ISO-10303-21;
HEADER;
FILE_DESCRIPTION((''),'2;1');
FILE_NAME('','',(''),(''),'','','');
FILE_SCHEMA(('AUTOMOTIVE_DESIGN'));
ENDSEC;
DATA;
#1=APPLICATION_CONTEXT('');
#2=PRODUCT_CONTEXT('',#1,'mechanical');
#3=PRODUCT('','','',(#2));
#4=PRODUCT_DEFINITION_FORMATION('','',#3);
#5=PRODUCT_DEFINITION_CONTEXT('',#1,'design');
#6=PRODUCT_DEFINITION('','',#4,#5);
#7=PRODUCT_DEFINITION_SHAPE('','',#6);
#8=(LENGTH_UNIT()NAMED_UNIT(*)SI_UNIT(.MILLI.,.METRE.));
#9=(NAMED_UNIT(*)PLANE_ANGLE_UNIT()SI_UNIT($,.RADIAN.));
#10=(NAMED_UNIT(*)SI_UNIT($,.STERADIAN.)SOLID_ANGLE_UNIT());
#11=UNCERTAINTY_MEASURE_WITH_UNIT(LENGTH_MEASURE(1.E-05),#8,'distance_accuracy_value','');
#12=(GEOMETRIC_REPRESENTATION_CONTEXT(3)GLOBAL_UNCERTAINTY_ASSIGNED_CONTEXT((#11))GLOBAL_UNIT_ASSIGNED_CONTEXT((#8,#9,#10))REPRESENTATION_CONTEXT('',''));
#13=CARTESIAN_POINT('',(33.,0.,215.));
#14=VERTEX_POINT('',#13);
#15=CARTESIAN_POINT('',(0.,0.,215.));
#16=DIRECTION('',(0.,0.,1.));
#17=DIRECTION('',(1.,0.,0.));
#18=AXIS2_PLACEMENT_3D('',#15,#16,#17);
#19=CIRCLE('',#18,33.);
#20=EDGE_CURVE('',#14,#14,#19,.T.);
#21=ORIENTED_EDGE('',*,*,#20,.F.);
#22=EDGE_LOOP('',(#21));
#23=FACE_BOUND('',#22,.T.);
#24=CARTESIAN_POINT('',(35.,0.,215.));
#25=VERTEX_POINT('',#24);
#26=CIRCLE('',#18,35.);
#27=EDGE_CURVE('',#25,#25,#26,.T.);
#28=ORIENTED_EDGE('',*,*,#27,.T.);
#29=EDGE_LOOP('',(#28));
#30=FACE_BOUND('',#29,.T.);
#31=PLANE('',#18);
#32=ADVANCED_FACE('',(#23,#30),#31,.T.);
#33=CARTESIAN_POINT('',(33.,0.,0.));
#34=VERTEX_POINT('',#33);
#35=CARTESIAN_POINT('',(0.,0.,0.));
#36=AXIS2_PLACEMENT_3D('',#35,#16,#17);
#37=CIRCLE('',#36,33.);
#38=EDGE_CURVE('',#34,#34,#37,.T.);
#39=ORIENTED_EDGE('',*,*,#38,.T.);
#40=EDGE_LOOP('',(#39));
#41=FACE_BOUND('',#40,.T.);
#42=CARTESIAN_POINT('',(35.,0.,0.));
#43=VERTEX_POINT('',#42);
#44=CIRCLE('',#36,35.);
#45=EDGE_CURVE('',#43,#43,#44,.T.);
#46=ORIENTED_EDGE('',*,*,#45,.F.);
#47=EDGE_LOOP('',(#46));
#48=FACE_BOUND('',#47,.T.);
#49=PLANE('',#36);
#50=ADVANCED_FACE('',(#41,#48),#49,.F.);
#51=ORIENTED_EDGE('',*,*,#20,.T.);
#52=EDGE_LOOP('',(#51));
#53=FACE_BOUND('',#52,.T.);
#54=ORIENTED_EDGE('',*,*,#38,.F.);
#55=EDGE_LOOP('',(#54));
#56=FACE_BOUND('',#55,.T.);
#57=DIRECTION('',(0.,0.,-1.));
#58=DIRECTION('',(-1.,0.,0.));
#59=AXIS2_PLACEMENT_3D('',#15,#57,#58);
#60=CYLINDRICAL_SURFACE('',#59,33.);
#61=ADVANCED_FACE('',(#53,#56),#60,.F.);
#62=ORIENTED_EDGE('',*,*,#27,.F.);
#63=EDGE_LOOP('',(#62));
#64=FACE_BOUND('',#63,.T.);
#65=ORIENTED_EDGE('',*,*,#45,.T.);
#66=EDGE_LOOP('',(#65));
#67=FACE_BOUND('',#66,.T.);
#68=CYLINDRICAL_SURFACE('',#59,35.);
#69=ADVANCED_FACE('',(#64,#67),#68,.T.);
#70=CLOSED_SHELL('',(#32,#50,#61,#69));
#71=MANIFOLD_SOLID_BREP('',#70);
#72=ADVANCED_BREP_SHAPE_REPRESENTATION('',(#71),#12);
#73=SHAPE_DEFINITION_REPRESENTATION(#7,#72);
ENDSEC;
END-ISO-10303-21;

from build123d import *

# Parameters (mm, degrees)
SKETCH_1_R      = 35
SKETCH_1_R_2    = 33
EXTRUDE_1_DEPTH = 215


with BuildPart() as part:
    # 草图1 → 凸台-拉伸1 (new body)
    with BuildSketch(Plane.XY):
        Circle(SKETCH_1_R)
        Circle(SKETCH_1_R_2, mode=Mode.SUBTRACT)
    extrude(amount=EXTRUDE_1_DEPTH)


solid = part.part
